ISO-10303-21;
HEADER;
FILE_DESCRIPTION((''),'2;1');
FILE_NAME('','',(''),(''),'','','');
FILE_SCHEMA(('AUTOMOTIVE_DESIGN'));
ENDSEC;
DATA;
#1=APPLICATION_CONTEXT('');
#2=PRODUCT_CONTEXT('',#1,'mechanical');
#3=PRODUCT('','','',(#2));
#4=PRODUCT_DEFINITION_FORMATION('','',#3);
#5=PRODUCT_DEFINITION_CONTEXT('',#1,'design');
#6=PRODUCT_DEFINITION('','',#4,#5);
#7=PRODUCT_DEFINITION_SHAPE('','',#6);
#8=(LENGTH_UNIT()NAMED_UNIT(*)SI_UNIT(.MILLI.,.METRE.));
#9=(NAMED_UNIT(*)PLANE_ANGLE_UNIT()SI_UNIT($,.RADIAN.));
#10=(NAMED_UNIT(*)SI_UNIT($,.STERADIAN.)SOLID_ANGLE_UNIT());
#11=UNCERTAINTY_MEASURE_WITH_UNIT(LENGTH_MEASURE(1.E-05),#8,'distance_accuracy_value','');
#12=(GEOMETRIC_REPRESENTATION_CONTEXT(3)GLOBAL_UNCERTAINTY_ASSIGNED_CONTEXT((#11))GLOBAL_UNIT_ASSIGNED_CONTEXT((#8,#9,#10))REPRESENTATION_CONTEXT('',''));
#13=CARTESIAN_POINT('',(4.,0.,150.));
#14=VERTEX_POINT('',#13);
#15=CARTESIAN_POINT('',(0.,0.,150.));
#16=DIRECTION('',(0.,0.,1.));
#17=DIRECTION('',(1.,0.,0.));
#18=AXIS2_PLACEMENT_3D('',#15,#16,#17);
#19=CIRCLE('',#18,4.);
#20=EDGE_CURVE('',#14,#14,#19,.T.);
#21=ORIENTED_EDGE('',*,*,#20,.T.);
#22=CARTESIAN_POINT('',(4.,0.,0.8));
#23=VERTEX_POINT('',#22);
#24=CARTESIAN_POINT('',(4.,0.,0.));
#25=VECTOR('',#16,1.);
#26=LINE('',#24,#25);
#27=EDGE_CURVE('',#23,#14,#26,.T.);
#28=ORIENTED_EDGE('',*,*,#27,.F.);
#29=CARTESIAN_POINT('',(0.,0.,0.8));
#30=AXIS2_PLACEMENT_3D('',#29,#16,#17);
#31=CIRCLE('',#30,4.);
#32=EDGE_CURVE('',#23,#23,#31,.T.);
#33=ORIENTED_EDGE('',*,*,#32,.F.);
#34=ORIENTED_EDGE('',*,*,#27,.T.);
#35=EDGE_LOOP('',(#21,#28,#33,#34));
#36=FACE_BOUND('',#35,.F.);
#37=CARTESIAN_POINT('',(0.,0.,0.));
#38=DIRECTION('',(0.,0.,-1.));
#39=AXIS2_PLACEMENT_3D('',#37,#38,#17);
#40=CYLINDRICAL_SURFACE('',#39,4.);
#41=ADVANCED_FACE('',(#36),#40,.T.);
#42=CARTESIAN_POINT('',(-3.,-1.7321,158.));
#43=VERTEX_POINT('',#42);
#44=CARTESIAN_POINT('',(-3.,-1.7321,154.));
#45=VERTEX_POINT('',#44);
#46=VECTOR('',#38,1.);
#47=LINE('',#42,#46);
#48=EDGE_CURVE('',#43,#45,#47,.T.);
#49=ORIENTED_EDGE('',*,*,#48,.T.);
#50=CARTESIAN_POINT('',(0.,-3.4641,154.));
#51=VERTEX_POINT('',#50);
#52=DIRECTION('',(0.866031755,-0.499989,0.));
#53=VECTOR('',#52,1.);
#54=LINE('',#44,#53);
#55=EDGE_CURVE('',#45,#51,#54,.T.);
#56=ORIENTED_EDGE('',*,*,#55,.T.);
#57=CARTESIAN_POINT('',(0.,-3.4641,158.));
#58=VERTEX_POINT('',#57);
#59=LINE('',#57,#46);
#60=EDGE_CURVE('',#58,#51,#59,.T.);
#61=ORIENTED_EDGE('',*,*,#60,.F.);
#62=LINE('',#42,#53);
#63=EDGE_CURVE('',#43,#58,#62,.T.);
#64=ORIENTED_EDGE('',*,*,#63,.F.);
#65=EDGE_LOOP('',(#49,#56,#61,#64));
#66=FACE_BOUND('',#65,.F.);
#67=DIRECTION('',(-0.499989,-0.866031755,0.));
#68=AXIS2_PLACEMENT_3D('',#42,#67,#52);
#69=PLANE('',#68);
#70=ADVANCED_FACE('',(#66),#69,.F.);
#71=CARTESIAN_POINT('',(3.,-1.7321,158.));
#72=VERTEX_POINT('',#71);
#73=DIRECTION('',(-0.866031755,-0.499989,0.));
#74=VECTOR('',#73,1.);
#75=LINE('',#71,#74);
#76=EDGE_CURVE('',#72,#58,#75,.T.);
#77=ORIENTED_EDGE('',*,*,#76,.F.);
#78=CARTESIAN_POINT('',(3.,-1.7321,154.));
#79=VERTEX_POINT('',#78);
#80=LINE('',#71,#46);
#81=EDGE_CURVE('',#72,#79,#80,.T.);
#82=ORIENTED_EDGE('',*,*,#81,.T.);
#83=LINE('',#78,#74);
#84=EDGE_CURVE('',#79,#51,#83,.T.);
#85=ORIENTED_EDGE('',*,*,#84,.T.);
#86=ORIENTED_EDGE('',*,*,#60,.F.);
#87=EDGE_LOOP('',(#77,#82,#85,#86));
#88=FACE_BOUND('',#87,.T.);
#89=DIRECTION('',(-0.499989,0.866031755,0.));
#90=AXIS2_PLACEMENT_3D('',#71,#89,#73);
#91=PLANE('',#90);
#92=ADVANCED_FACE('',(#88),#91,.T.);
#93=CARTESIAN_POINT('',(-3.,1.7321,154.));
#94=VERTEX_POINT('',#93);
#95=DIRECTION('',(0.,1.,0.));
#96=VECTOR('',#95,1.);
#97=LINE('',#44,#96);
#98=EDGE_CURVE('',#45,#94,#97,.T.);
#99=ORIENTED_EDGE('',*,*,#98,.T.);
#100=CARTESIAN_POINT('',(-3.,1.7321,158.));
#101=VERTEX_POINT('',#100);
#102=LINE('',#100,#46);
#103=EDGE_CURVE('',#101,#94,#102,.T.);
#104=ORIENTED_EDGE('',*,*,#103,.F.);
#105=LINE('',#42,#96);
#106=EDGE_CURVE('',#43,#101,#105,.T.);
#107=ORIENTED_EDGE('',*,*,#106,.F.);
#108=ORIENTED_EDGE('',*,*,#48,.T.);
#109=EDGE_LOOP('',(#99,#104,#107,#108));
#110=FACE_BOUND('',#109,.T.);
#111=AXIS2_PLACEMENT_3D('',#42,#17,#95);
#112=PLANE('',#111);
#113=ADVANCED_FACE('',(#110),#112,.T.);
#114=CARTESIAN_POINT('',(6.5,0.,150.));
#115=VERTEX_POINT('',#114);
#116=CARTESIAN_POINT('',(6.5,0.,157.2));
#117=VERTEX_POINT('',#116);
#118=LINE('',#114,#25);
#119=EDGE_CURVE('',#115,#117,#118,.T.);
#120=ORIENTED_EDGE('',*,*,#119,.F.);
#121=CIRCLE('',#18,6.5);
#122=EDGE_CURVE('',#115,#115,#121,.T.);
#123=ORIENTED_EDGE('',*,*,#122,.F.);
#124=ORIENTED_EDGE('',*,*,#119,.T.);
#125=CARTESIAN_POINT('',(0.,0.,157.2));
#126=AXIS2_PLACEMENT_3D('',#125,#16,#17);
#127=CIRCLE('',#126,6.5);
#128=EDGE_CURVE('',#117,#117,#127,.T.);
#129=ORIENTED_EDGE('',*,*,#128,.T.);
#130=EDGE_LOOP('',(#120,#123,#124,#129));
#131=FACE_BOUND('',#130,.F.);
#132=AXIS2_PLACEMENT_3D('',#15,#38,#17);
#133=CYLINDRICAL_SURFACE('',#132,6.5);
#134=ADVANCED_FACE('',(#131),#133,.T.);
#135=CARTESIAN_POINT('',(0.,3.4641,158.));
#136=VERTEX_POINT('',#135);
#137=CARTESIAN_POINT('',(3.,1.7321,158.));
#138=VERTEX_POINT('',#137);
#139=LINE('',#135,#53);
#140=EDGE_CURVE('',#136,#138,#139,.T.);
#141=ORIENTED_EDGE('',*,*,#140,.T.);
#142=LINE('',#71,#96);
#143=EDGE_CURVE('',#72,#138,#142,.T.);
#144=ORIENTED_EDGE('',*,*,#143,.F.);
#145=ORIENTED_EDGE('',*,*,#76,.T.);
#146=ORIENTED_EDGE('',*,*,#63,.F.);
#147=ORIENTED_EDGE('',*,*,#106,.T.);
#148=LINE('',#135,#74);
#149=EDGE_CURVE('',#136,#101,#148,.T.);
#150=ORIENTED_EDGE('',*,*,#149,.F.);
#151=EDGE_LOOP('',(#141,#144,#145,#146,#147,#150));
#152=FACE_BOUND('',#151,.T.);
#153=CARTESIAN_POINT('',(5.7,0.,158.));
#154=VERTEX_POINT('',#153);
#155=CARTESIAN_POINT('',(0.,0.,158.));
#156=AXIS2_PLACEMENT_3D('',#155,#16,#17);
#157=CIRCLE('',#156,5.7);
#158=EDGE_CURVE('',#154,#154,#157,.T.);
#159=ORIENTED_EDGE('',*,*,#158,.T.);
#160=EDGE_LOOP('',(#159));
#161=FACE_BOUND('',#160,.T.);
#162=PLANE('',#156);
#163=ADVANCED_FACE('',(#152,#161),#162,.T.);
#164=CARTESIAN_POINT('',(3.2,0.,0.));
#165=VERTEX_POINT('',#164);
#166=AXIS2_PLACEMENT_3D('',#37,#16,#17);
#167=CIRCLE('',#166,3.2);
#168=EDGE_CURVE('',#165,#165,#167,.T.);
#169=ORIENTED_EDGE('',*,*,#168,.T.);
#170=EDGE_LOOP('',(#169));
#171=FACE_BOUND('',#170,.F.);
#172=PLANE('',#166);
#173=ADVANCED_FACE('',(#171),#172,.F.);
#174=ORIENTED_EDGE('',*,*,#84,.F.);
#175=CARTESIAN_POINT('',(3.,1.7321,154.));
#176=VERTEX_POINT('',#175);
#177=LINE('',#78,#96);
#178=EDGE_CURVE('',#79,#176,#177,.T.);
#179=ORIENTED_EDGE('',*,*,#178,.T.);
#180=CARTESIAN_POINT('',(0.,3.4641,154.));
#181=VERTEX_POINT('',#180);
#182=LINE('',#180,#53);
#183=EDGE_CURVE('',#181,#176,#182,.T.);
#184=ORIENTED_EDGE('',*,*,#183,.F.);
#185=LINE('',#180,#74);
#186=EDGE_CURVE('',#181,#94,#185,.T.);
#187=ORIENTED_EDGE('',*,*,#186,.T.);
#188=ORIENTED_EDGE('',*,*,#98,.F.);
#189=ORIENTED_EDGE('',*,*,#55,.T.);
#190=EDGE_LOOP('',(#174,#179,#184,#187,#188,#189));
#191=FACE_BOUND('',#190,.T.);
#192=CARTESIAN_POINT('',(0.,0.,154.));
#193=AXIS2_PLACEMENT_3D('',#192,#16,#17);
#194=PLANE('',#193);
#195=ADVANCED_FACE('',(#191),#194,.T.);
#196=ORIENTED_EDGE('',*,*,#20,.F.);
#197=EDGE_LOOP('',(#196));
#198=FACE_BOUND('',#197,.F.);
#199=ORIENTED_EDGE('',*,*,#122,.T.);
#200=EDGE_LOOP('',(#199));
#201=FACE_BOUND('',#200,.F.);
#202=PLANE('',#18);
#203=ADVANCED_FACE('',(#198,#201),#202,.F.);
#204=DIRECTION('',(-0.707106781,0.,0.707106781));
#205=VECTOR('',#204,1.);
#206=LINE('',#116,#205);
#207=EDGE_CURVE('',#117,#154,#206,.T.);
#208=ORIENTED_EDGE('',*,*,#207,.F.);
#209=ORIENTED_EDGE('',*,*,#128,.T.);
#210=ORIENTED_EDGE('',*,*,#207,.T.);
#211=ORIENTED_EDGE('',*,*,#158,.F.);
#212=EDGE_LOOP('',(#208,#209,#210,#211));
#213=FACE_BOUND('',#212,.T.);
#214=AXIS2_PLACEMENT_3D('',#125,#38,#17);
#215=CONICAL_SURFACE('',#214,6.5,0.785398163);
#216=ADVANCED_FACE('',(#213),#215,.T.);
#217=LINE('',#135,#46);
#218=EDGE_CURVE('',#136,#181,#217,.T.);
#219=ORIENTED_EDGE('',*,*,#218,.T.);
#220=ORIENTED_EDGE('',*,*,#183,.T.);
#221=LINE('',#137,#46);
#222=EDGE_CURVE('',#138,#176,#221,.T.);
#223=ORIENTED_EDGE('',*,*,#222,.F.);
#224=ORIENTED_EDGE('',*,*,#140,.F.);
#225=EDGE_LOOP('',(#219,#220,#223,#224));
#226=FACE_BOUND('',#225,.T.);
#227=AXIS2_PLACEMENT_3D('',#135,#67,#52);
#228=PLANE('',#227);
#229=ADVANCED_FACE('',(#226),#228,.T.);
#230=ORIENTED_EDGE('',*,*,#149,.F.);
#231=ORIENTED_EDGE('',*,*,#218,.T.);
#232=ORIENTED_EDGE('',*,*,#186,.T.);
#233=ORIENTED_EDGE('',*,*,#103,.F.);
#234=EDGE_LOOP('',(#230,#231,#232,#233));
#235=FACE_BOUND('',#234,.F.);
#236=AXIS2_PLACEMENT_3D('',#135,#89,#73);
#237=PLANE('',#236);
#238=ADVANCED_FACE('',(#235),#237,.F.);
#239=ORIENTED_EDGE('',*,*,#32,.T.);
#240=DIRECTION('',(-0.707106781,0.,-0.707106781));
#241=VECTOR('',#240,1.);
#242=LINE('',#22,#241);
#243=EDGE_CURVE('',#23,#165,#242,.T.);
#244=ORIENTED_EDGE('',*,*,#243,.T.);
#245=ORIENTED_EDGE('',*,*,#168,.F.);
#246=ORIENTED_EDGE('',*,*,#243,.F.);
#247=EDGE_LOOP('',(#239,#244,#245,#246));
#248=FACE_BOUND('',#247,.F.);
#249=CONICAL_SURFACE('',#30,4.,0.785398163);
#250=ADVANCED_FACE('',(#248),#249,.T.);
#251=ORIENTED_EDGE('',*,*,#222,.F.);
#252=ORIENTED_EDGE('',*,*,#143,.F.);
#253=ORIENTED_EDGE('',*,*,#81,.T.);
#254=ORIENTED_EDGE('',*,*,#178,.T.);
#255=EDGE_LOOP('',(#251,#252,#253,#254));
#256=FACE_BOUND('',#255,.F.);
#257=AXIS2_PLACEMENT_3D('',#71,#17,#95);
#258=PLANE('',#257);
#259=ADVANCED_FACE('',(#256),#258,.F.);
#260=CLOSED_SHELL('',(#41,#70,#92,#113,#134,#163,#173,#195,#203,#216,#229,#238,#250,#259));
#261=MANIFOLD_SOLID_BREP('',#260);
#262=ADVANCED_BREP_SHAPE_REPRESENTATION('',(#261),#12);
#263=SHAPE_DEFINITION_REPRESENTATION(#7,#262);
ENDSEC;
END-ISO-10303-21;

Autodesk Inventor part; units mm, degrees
ref_plane "YZ Plane" through (0, 0, 0) normal (1, 0, 0) x (0, 1, 0)
ref_plane "XZ Plane" through (0, 0, 0) normal (0, 1, 0) x (-1, 0, 0)
ref_plane "XY Plane" through (0, 0, 0) normal (0, 0, 1) x (1, 0, 0)
sketch "Sketch1" plane through (0, 0, 0) normal (0, 0, 1) x (1, 0, 0)
  circle A0 centre (0, 0) radius 4
  dimension "Diameter" = 8
extrude "Extrusion1" add sketch "Sketch1" along normal blind 150
sketch "Sketch2" plane through (0, 0, 150) normal (0, 0, 1) x (1, 0, 0)
  circle A0 centre (0, 0) radius 4 projected
  circle A1 centre (0, 0) radius 6.5
  dimension "Head_Diameter" = 13
extrude "Extrusion2" add sketch "Sketch2" along normal blind 8 contours A0 | A1
sketch "Sketch3" plane through (0, 0, 158) normal (0, 0, 1) x (1, 0, 0)
  circle A0 centre (0, 0) radius 6.5 projected
  circle A1 centre (0, 0) radius 3.4641 construction
  line L0 (0, 3.4641) -> (3, 1.7321)
  line L1 (3, -1.7321) -> (3, 1.7321)
  line L2 (0, 3.4641) -> (-3, 1.7321)
  line L3 (-3, -1.7321) -> (-3, 1.7321)
  line L4 (-3, -1.7321) -> (0, -3.4641)
  line L5 (3, -1.7321) -> (0, -3.4641)
  dimension "Hex_Width" = 6
extrude "Extrusion3" cut sketch "Sketch3" against normal blind 4 contours L0 L1 L5 L4 L3 L2
thread "Thread1" size "M8x1.25" class "4g6g" standard "ANSI Metric M Profile" length 28
chamfer "Chamfer1" distance 0.8 angle 45 2 edges at (-6.5, 0, 158) (-4, 0, 0)
equation "\"d9\" = ThreadLength"
equation "\"d12\" = Chamfer"
equation "\"ThreadLength\" = 28"
equation "\"Chamfer\" = 0.8"
properties part number "SCREW, SOC HD, P, 12.9, M8X1.25X150MM" material "Steel, MS"
